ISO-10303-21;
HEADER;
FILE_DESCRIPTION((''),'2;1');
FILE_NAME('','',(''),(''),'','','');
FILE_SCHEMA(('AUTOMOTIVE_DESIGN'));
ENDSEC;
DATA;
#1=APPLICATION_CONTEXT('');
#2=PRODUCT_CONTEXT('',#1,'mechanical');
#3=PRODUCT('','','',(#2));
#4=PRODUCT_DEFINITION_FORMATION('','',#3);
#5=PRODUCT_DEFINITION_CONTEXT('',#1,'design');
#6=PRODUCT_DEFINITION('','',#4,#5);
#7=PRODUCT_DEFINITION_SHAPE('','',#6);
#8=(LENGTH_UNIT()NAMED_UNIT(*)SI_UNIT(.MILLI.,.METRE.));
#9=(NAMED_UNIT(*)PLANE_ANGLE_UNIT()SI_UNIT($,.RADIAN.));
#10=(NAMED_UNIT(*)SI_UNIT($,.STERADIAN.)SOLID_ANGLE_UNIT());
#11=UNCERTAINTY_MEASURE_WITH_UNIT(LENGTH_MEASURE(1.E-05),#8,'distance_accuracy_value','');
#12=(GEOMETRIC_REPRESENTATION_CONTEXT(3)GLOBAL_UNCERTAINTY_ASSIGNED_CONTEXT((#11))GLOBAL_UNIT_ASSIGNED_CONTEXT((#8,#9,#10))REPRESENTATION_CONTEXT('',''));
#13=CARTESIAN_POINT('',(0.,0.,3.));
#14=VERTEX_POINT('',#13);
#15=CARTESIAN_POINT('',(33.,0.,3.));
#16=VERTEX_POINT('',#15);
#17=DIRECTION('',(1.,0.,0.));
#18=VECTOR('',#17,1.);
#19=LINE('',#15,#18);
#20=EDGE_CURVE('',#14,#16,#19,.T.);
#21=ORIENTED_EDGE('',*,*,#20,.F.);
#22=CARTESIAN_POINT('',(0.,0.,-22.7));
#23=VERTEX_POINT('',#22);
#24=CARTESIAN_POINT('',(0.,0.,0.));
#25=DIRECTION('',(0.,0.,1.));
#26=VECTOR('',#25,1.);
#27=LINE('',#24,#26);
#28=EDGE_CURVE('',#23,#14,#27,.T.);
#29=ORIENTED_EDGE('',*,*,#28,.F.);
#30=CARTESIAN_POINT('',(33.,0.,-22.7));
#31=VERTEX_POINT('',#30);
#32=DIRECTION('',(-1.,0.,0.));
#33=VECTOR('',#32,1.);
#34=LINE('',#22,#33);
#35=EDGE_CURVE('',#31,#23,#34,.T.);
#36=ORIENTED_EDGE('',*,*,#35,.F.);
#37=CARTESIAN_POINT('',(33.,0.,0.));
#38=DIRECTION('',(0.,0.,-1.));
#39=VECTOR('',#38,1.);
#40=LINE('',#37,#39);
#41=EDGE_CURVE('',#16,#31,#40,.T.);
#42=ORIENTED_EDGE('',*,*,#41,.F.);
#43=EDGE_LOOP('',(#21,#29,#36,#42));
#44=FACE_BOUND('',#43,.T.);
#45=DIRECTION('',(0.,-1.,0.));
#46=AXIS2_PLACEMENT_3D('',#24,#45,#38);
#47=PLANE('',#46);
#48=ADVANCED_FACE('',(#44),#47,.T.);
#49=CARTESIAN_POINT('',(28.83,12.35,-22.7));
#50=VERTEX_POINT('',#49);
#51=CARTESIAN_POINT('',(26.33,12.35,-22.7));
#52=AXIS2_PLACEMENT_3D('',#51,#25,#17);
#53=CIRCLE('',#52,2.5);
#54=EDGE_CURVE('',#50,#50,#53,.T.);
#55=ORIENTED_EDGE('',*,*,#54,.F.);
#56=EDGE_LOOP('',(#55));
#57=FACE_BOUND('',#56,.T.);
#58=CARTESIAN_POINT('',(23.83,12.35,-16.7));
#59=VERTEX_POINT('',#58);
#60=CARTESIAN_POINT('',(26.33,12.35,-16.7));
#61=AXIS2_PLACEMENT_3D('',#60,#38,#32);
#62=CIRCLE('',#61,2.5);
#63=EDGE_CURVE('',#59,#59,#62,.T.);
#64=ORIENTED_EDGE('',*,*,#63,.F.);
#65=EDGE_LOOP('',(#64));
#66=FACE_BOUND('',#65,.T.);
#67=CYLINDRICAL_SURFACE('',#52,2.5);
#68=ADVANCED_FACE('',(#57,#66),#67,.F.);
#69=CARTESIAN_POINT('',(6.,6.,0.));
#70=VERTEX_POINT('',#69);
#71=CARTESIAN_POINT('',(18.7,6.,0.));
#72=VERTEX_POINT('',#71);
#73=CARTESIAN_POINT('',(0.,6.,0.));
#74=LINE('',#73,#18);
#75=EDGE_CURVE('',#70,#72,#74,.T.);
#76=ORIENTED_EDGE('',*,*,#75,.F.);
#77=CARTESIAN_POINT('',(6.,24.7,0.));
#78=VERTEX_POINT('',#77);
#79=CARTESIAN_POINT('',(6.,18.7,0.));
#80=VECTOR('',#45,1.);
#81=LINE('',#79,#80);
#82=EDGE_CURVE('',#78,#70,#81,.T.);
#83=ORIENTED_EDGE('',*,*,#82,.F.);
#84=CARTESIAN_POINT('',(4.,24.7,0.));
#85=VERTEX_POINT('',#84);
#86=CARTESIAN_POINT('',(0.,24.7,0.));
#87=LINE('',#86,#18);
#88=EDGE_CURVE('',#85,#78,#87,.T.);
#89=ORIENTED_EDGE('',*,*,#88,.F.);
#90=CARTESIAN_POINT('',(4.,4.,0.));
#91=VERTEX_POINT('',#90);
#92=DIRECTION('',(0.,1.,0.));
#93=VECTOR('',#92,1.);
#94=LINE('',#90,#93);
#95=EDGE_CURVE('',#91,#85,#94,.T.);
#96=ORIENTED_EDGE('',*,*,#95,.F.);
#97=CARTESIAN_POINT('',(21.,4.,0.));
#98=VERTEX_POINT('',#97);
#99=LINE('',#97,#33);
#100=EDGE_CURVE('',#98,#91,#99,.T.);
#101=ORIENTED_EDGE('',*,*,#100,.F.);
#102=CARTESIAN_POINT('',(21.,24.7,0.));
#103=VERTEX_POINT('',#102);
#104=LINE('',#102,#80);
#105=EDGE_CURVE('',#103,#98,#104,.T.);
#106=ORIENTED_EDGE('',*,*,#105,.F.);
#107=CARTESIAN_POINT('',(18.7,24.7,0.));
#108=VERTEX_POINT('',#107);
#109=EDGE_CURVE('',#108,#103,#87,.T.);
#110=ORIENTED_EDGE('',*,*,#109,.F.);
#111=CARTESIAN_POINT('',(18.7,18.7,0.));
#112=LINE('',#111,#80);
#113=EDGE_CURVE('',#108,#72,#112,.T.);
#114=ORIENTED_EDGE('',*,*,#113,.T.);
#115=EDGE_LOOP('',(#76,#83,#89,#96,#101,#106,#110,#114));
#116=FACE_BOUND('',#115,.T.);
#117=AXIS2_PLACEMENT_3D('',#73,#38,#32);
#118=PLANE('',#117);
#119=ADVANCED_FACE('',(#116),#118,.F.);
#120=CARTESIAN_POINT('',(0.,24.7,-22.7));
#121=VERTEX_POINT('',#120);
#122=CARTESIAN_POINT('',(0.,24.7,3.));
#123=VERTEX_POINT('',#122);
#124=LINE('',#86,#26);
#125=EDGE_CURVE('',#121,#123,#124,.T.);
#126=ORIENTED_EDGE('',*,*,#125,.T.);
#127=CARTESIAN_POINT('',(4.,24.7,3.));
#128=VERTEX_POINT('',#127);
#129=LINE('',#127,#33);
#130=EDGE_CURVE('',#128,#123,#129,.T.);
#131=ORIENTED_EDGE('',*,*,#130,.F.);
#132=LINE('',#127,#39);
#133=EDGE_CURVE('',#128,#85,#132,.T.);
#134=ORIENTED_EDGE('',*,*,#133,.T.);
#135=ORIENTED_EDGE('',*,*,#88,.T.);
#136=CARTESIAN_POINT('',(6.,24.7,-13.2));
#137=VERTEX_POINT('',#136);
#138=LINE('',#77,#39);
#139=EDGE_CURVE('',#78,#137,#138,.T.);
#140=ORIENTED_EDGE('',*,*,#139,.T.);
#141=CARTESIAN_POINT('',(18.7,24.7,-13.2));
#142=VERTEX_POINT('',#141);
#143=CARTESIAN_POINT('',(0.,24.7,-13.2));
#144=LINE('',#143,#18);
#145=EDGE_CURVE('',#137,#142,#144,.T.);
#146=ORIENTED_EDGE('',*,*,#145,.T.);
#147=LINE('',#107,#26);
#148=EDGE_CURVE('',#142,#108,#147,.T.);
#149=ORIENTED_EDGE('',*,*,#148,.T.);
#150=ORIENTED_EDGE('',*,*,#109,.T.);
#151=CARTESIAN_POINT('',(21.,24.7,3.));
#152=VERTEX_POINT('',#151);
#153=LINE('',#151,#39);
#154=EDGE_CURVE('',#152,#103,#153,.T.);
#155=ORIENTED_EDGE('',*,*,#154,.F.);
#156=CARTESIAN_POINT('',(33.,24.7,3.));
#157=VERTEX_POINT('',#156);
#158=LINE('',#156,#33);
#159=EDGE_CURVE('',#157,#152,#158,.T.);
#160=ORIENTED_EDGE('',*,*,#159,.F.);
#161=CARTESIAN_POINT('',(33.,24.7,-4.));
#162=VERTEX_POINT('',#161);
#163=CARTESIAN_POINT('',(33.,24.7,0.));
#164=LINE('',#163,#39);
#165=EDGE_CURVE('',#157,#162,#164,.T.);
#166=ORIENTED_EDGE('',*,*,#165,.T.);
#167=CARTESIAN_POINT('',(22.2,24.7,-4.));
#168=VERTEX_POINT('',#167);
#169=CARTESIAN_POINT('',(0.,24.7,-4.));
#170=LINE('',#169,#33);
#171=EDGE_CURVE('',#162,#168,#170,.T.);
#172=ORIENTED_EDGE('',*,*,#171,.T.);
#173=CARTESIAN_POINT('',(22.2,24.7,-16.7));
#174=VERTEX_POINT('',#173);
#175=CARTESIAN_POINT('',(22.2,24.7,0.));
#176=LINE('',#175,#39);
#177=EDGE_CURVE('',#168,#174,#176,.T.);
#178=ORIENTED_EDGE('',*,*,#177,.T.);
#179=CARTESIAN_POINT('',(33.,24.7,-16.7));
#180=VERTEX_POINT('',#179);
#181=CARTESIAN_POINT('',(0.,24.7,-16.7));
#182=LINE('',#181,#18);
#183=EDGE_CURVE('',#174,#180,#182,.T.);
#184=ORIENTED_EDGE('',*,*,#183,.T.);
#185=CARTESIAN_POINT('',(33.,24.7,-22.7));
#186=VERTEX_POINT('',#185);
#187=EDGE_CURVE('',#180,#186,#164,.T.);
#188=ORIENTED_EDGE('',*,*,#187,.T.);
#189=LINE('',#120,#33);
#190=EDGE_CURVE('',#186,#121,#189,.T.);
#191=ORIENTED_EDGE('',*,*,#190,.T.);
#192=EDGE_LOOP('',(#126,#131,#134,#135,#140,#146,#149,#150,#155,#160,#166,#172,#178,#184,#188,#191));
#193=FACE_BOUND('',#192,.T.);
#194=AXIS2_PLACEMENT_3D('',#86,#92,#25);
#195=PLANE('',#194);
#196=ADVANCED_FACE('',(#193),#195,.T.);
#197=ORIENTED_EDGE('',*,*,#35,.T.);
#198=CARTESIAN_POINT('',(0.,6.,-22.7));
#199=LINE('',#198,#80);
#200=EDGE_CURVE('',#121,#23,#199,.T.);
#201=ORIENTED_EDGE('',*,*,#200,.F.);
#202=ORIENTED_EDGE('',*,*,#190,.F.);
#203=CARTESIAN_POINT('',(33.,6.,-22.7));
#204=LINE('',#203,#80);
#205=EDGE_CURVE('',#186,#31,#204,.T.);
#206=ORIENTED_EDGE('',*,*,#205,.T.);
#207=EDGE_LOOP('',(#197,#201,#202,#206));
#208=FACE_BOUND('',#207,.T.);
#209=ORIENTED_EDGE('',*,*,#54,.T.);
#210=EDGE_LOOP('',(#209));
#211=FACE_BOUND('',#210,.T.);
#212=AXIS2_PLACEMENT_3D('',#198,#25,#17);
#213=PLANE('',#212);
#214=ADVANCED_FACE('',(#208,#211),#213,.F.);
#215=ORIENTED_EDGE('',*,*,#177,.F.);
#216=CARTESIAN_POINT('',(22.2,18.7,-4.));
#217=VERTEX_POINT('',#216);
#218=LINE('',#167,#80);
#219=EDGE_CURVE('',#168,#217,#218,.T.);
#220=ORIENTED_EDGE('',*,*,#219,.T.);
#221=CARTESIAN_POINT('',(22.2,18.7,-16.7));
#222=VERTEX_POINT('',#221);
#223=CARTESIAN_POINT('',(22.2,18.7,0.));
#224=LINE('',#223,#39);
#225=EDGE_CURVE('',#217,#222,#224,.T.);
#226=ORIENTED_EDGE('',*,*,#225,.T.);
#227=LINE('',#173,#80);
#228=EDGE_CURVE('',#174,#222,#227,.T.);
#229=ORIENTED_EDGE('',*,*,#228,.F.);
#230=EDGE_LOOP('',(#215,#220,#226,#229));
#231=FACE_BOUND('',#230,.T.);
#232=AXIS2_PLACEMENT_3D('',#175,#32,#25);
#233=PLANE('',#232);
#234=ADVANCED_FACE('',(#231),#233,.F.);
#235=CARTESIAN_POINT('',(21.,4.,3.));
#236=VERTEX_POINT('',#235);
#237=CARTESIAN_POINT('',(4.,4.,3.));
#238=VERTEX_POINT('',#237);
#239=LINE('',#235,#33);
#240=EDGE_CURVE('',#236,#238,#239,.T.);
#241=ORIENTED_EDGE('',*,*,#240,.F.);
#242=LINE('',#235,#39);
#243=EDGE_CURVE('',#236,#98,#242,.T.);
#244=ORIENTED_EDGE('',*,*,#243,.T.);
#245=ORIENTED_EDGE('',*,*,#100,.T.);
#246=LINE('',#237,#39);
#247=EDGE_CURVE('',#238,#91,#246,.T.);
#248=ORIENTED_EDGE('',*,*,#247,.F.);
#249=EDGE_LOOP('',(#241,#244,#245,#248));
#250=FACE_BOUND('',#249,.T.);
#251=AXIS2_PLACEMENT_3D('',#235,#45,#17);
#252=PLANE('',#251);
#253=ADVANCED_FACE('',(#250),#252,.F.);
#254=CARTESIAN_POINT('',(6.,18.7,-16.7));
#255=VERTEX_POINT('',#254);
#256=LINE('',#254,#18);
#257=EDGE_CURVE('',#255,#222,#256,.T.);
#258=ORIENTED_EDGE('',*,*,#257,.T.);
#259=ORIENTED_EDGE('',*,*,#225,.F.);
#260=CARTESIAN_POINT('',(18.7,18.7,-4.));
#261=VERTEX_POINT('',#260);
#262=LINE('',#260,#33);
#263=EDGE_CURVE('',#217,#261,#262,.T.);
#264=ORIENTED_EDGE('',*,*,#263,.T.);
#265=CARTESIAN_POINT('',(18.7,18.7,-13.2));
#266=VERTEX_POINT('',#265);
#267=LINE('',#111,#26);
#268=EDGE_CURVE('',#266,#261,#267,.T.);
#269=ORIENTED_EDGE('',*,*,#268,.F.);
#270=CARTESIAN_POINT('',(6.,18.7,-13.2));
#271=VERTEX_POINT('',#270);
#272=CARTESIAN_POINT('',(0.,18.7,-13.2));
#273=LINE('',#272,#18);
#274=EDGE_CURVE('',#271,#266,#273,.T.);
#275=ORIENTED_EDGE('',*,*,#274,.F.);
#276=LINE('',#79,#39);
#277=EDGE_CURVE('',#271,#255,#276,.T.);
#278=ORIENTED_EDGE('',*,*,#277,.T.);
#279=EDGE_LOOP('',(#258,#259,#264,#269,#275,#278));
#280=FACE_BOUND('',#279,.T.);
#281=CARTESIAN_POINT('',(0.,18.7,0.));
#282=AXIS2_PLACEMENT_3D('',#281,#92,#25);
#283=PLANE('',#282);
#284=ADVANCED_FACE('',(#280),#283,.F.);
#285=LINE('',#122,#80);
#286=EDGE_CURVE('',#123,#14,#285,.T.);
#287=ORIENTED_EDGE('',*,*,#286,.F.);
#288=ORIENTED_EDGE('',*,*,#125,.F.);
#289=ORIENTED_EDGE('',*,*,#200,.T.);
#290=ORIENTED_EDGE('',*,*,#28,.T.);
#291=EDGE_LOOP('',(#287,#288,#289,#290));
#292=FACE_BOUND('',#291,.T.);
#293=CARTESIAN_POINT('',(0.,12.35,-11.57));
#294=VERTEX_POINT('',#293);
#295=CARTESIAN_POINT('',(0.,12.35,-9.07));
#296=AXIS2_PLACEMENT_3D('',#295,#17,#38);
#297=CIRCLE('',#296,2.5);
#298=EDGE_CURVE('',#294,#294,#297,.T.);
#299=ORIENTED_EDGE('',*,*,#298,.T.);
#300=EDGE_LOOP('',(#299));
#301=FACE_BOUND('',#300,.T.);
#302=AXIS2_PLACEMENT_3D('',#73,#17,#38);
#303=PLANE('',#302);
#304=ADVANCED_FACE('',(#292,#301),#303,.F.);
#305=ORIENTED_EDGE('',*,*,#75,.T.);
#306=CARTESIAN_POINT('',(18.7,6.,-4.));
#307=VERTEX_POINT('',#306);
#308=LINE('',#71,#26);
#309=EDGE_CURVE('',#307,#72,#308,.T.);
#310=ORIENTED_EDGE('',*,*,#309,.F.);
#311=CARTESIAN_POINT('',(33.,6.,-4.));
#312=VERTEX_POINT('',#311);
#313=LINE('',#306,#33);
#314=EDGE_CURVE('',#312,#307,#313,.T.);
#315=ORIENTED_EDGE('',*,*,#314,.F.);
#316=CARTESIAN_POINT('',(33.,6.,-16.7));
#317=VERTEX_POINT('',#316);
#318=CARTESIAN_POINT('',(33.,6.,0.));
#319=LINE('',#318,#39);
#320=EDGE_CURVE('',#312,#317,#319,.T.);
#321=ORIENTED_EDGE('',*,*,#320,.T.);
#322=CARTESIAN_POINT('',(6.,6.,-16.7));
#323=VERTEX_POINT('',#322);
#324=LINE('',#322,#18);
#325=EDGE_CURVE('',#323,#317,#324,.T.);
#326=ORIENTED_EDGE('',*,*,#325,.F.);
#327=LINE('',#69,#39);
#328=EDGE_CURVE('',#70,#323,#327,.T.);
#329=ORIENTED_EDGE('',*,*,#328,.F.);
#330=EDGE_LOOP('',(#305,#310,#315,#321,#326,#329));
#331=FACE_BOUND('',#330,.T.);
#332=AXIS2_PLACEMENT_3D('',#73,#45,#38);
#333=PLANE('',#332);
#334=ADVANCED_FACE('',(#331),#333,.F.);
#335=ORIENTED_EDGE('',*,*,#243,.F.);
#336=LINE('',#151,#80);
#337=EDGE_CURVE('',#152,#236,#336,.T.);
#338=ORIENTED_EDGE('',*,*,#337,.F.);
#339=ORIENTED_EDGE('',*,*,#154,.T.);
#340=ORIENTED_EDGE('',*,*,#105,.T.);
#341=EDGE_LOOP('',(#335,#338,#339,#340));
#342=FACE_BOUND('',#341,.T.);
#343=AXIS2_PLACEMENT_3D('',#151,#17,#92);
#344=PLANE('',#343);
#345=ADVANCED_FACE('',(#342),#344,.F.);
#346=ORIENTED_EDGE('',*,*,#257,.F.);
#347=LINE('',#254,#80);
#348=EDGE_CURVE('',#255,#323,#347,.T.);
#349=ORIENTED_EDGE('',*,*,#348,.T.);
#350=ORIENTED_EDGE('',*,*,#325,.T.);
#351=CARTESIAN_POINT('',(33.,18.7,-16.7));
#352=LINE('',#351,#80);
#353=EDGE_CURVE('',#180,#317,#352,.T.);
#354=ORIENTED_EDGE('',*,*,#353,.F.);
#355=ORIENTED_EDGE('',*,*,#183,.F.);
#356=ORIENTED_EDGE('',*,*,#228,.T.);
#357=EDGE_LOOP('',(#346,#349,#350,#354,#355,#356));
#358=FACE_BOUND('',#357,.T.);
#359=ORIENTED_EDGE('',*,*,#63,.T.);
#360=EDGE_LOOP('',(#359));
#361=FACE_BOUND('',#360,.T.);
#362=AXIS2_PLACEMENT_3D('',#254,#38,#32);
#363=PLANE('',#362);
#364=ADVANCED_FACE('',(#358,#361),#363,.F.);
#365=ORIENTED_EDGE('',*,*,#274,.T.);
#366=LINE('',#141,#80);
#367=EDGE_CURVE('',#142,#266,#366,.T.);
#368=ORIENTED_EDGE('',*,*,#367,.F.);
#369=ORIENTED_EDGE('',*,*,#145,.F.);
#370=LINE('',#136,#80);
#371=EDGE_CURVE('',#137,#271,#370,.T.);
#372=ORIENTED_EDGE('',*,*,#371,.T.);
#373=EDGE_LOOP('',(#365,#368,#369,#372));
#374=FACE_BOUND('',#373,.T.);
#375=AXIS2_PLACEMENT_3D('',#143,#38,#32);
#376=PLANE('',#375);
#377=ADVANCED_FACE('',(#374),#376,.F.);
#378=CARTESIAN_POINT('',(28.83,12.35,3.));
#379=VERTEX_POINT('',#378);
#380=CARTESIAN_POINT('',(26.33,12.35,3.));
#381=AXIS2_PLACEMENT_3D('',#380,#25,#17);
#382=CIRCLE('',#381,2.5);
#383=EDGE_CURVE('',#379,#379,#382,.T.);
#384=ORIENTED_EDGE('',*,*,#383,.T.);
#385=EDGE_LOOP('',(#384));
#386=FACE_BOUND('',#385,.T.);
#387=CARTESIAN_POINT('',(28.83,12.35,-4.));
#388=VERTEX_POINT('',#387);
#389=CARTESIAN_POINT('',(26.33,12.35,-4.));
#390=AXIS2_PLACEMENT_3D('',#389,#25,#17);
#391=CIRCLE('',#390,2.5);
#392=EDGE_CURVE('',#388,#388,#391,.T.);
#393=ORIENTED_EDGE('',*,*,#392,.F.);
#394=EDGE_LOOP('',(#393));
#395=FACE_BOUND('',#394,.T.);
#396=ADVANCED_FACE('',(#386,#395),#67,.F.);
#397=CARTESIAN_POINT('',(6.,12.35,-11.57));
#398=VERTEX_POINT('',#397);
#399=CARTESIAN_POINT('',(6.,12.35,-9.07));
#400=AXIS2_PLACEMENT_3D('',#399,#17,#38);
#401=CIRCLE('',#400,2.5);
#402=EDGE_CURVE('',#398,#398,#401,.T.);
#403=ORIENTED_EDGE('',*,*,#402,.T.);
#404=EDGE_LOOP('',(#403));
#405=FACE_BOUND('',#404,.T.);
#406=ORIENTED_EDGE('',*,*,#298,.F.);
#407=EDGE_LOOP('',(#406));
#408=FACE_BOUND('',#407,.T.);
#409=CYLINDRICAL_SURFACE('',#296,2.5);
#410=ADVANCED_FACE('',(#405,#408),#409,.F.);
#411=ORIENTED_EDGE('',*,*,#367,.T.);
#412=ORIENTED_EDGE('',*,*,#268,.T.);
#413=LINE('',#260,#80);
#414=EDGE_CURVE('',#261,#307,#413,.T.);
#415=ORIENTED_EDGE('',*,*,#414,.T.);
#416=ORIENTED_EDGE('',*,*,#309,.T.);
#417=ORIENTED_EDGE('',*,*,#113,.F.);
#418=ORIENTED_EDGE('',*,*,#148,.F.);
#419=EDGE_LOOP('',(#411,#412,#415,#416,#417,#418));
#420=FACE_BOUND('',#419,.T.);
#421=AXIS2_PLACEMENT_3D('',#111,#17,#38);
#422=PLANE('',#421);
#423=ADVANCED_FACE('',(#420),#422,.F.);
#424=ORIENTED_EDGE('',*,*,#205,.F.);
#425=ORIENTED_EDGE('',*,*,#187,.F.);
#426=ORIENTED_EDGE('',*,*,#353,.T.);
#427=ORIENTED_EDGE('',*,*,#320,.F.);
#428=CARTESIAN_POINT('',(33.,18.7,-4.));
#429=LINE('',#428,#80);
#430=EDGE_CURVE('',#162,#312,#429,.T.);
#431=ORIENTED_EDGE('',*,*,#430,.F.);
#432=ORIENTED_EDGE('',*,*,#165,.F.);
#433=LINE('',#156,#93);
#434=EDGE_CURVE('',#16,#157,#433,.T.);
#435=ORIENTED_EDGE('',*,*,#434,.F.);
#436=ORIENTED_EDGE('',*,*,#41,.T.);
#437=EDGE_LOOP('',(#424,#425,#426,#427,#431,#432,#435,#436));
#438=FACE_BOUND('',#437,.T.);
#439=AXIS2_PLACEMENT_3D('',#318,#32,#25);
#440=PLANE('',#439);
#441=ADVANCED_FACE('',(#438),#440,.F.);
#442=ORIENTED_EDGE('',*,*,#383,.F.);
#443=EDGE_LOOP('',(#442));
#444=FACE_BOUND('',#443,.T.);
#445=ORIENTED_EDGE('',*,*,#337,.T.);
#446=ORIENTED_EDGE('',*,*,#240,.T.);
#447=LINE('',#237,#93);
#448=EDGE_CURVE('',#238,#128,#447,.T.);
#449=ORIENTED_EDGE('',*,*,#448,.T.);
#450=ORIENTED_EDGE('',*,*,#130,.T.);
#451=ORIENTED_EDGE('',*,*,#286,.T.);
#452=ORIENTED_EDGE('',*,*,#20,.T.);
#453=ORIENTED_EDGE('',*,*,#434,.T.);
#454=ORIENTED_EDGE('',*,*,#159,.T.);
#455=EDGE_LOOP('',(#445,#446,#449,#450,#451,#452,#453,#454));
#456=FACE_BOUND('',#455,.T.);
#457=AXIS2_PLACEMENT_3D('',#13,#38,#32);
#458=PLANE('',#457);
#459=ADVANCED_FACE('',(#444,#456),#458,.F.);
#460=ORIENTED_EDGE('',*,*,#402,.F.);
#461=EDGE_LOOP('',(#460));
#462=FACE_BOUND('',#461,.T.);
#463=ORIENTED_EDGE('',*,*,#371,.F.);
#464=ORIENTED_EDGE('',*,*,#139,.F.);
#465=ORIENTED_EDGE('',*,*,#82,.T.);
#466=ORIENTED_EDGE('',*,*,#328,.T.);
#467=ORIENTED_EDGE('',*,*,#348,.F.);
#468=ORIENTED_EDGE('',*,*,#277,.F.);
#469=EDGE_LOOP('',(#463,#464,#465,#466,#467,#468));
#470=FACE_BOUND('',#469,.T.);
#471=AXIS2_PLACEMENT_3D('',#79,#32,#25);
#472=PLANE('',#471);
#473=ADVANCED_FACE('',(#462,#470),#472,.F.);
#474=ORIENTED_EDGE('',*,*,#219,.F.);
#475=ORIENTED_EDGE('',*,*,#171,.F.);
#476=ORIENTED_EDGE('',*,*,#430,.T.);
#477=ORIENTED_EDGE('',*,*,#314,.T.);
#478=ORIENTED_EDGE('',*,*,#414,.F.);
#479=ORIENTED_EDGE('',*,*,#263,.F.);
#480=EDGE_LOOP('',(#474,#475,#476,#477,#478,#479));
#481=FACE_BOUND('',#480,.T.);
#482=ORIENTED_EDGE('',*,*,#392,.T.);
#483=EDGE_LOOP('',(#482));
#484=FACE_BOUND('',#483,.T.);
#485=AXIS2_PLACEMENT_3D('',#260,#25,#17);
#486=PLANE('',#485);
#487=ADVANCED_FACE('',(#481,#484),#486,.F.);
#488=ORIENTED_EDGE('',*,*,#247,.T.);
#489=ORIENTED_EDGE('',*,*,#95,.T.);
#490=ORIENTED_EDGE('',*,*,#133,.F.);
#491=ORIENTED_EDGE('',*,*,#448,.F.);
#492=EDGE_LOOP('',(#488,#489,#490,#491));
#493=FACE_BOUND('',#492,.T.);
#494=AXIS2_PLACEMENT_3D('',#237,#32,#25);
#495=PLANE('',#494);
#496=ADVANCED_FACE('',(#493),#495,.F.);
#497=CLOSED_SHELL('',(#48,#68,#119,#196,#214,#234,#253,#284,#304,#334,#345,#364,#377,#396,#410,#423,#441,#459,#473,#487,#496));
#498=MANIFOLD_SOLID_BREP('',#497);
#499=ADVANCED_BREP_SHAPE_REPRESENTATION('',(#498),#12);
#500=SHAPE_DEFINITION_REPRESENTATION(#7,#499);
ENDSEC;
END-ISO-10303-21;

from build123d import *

# Parameters (mm, degrees)
SKETCH_3_W          = 33
SKETCH_3_H          = 22.7
EXTRUDE_2_DEPTH     = 6
SKETCH_4_W          = 14.3
SKETCH_4_H          = 4
EXTRUDE_3_DEPTH     = 12.7
SKETCH_5_R          = 2.5
CUT_EXTRUDE_2_DEPTH = 45.203845987
SKETCH_6_R          = 2.5
CUT_EXTRUDE_3_DEPTH = 40.924679084
SKETCH_7_W          = 12.7
SKETCH_7_H          = 3.5
EXTRUDE_4_DEPTH     = 6
EXTRUDE_START       = 3
SKETCH_8_W          = 12
SKETCH_8_H          = 24.7
SKETCH_8_R          = 2.5
EXTRUDE_5_DEPTH     = 3
EXTRUDE_6_DEPTH     = 3


with BuildPart() as part:
    # 草图3 → 凸台-拉伸2 (new body)
    with BuildSketch(Plane(origin=(0, 0, 0), x_dir=(1, 0, 0), z_dir=(0, 1, 0))):
        with Locations((16.5, 11.35)):
            Rectangle(SKETCH_3_W, SKETCH_3_H)
    extrude(amount=EXTRUDE_2_DEPTH)

    # 草图4 → 凸台-拉伸3 (add)
    with BuildSketch(Plane(origin=(0, 6, 0), x_dir=(1, 0, 0), z_dir=(0, 1, 0))):
        with Locations((25.85, 2)):
            Rectangle(SKETCH_4_W, SKETCH_4_H)
        Polygon((0, 0), (6, 0), (6, 16.7), (33, 16.7), (33, 22.7), (0, 22.7), align=None)
    extrude(amount=EXTRUDE_3_DEPTH)

    # 草图5 → 切除-拉伸2 (cut, through all)
    with BuildSketch(Plane.XY):
        with Locations((26.33, 12.35)):
            Circle(SKETCH_5_R)
    extrude(amount=-CUT_EXTRUDE_2_DEPTH, mode=Mode.SUBTRACT)

    # 草图6 → 切除-拉伸3 (cut, through all)
    with BuildSketch(Plane(origin=(6, 0, 0), x_dir=(0, 0, -1), z_dir=(1, 0, 0))):
        with Locations((9.07, 12.35)):
            Circle(SKETCH_6_R)
    extrude(amount=-CUT_EXTRUDE_3_DEPTH, mode=Mode.SUBTRACT)

    # 草图7 → 凸台-拉伸4 (add)
    with BuildSketch(Plane(origin=(0, 18.7, 0), x_dir=(1, 0, 0), z_dir=(0, 1, 0))):
        Polygon((0, 22.7), (0, 0), (6, 0), (6, 13.2), (6, 16.7), (18.7, 16.7), (18.7, 22.7), align=None)
        Polygon((33, 22.7), (18.7, 22.7), (18.7, 16.7), (22.2, 16.7), (33, 16.7), align=None)
        Polygon((22.2, 16.7), (18.7, 16.7), (18.7, 13.2), (18.7, 4), (18.7, 0), (33, 0), (33, 4), (22.2, 4), align=None)
        with Locations((12.35, 14.95)):
            Rectangle(SKETCH_7_W, SKETCH_7_H)
    extrude(amount=EXTRUDE_4_DEPTH)

    # 草图8 → 凸台-拉伸5 (add)
    with BuildSketch(Plane.XY.offset(EXTRUDE_START)):
        with Locations((27, 12.35)):
            Rectangle(SKETCH_8_W, SKETCH_8_H)
        with Locations((26.33, 12.35)):
            Circle(SKETCH_8_R, mode=Mode.SUBTRACT)
    extrude(amount=-EXTRUDE_5_DEPTH)

    # 草图9 → 凸台-拉伸6 (add)
    with BuildSketch(Plane.XY):
        Polygon((0, 24.7), (0, 0), (21, 0), (21, 4), (4, 4), (4, 24.7), align=None)
    extrude(amount=EXTRUDE_6_DEPTH)


solid = part.part
